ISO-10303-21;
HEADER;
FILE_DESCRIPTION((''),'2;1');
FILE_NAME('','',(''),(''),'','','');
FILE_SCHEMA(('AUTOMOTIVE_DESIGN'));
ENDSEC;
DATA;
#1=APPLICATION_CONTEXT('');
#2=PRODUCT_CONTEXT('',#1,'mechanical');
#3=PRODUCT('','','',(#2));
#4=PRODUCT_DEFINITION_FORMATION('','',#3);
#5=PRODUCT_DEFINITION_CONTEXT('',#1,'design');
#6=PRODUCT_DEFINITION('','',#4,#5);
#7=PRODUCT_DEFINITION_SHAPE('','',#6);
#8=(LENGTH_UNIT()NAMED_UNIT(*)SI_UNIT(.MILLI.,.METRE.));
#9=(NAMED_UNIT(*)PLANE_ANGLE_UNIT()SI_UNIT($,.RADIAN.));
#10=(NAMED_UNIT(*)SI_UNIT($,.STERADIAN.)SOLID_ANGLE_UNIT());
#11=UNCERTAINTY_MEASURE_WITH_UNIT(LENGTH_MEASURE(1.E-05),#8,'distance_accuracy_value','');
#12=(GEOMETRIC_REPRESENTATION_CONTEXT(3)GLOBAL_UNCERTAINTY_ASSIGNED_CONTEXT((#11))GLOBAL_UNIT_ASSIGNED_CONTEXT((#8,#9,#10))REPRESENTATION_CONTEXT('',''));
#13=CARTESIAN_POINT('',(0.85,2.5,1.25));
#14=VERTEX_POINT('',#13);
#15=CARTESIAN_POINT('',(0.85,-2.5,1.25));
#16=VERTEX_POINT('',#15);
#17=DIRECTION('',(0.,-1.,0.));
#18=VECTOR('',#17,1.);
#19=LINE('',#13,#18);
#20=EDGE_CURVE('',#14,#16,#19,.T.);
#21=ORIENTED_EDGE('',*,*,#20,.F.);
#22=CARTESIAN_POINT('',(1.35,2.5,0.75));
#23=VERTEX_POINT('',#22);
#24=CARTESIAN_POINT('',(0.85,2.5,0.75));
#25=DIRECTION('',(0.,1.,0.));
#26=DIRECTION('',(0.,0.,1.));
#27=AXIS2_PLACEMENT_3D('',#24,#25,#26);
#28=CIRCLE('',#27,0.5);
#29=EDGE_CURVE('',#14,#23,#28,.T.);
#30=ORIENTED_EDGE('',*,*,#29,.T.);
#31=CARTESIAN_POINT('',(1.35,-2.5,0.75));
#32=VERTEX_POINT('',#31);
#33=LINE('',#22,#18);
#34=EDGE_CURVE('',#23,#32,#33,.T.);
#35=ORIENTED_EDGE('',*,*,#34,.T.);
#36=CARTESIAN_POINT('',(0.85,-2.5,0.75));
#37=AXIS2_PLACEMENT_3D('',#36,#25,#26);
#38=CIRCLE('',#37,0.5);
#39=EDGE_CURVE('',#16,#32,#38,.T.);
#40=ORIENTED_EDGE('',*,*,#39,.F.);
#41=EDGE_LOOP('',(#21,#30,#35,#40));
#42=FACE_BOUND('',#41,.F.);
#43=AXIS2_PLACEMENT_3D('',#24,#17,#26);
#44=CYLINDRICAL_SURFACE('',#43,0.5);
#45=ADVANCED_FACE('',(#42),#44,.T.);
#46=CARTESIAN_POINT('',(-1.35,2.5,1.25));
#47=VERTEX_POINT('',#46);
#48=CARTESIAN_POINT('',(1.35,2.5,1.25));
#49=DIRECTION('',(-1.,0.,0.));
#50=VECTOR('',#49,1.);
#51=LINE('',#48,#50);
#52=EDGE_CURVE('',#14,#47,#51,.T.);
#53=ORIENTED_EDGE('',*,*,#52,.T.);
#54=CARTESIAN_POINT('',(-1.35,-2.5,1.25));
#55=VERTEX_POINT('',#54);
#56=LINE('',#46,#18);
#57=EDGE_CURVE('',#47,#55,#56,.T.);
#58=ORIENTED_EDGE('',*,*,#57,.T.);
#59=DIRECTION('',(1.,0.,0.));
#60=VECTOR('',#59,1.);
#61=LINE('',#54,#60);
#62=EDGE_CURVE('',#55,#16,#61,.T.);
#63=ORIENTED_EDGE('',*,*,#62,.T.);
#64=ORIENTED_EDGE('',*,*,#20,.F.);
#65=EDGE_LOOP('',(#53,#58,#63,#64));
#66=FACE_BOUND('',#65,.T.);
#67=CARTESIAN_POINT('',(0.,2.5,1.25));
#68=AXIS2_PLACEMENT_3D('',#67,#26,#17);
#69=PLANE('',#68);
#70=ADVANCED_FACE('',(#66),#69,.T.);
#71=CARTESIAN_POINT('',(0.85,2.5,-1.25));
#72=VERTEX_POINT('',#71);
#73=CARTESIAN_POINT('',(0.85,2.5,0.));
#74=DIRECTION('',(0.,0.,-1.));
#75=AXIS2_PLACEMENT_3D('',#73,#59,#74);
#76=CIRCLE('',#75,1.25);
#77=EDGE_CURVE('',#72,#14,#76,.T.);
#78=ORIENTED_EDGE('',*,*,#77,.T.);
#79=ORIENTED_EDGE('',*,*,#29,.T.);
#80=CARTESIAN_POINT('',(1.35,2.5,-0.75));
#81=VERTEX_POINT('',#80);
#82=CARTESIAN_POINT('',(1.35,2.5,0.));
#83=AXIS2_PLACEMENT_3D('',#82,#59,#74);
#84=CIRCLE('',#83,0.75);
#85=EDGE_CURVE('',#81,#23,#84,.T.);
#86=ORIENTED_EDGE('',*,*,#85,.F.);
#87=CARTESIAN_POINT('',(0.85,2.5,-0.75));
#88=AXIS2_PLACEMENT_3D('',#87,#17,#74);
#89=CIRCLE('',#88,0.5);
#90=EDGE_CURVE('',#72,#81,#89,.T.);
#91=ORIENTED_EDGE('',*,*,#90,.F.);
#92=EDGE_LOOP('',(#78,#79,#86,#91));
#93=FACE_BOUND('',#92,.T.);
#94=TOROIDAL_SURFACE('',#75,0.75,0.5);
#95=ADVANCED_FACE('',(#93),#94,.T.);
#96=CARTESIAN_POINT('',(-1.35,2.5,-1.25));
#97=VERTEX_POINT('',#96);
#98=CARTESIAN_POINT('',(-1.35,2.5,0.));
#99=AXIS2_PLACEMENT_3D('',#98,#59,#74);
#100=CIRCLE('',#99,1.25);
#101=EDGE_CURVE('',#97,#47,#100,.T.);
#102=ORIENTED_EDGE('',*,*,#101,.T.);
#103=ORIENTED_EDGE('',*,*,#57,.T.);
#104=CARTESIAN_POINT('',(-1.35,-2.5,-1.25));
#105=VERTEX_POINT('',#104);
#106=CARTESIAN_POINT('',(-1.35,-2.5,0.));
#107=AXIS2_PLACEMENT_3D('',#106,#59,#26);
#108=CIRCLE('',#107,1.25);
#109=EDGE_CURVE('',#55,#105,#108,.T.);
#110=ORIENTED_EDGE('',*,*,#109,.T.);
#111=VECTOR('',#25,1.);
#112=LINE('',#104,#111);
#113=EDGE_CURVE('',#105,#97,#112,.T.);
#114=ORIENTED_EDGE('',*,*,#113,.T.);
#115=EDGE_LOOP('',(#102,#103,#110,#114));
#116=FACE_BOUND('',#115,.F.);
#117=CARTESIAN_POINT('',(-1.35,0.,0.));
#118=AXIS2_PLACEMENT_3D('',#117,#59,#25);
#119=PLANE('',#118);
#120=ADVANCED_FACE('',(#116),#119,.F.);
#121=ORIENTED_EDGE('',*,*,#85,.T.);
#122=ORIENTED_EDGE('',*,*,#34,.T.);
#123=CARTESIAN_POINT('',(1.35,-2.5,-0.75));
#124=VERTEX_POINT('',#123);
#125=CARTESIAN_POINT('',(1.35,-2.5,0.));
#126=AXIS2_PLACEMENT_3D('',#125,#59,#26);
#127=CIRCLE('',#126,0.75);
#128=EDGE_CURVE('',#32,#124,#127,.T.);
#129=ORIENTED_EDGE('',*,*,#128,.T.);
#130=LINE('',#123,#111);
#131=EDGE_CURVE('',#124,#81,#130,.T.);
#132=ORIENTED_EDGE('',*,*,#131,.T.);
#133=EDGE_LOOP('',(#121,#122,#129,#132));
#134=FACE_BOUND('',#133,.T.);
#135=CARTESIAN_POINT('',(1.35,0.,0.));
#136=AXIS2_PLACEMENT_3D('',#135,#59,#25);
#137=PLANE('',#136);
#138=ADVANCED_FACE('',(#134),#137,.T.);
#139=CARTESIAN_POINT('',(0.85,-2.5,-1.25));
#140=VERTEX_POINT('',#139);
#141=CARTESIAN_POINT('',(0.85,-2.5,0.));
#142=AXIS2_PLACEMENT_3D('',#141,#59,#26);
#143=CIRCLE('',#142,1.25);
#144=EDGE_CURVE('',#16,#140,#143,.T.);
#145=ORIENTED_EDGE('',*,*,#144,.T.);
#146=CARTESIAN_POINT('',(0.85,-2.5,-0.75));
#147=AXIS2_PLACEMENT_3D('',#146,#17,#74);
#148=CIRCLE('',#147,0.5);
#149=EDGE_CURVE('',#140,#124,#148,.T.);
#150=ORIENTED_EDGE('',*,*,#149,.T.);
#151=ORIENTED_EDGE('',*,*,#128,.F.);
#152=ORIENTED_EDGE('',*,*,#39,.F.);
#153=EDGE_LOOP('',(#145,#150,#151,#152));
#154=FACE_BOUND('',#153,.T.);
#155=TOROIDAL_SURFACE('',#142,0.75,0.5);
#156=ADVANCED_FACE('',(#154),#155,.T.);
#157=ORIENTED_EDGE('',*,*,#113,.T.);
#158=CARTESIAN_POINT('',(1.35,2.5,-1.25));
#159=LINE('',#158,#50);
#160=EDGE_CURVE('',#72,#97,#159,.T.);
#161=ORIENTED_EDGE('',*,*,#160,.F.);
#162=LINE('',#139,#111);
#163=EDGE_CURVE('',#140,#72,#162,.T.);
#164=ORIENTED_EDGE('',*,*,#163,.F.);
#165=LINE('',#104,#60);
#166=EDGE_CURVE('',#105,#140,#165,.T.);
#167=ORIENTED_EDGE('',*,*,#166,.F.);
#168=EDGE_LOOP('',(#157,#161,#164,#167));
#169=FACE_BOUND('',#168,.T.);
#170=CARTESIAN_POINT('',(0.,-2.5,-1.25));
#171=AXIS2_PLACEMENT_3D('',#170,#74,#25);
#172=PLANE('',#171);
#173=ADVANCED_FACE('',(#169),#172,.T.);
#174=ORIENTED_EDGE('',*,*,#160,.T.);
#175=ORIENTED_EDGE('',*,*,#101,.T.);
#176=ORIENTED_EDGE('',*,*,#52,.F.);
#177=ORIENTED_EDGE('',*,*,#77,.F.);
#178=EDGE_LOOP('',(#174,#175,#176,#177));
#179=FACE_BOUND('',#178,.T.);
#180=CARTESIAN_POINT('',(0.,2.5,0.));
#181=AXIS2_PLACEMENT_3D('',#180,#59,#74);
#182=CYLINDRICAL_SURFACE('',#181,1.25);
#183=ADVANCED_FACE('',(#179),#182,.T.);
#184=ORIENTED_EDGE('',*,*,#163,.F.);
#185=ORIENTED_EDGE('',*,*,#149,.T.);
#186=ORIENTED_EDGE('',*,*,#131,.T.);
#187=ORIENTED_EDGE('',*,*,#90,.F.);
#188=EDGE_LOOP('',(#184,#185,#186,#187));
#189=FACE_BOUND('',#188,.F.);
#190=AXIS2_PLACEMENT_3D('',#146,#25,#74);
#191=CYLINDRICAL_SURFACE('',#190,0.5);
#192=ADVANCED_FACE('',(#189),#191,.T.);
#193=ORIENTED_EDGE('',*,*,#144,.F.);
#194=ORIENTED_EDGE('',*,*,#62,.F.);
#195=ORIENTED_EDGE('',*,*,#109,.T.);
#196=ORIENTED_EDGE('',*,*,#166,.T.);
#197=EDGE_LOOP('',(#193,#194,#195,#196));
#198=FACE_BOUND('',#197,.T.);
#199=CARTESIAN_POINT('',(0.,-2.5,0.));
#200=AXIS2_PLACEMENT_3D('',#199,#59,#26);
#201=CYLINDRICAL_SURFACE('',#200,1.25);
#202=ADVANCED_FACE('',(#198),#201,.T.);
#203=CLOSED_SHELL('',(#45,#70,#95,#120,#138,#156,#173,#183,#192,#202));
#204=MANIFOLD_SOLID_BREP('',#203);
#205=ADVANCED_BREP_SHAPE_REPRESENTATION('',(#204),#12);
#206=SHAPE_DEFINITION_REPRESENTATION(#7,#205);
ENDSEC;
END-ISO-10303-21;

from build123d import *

# Parameters (mm, degrees)
F1_DEPTH = 1.35
F2_R     = 0.5


with BuildPart() as f1:
    # F0 (on Right) → F1 (new body, symmetric)
    with BuildSketch(Plane.YZ):
        with BuildLine():
            Line((2.5, 1.25), (-2.5, 1.25))
            ThreePointArc((-2.5, 1.25), (-3.75, 0), (-2.5, -1.25))
            Line((-2.5, -1.25), (2.5, -1.25))
            ThreePointArc((2.5, -1.25), (3.75, 0), (2.5, 1.25))
        make_face()
    extrude(amount=F1_DEPTH, both=True)

    # F2
    f2_edges = [f1.edges().sort_by_distance(p)[0] for p in [
        (1.35, 0, 1.25),
        (1.35, -3.75, 0),
        (1.35, 0, -1.25),
        (1.35, 3.75, 0),
    ]]
    fillet(f2_edges, radius=F2_R)


solid = f1.part
